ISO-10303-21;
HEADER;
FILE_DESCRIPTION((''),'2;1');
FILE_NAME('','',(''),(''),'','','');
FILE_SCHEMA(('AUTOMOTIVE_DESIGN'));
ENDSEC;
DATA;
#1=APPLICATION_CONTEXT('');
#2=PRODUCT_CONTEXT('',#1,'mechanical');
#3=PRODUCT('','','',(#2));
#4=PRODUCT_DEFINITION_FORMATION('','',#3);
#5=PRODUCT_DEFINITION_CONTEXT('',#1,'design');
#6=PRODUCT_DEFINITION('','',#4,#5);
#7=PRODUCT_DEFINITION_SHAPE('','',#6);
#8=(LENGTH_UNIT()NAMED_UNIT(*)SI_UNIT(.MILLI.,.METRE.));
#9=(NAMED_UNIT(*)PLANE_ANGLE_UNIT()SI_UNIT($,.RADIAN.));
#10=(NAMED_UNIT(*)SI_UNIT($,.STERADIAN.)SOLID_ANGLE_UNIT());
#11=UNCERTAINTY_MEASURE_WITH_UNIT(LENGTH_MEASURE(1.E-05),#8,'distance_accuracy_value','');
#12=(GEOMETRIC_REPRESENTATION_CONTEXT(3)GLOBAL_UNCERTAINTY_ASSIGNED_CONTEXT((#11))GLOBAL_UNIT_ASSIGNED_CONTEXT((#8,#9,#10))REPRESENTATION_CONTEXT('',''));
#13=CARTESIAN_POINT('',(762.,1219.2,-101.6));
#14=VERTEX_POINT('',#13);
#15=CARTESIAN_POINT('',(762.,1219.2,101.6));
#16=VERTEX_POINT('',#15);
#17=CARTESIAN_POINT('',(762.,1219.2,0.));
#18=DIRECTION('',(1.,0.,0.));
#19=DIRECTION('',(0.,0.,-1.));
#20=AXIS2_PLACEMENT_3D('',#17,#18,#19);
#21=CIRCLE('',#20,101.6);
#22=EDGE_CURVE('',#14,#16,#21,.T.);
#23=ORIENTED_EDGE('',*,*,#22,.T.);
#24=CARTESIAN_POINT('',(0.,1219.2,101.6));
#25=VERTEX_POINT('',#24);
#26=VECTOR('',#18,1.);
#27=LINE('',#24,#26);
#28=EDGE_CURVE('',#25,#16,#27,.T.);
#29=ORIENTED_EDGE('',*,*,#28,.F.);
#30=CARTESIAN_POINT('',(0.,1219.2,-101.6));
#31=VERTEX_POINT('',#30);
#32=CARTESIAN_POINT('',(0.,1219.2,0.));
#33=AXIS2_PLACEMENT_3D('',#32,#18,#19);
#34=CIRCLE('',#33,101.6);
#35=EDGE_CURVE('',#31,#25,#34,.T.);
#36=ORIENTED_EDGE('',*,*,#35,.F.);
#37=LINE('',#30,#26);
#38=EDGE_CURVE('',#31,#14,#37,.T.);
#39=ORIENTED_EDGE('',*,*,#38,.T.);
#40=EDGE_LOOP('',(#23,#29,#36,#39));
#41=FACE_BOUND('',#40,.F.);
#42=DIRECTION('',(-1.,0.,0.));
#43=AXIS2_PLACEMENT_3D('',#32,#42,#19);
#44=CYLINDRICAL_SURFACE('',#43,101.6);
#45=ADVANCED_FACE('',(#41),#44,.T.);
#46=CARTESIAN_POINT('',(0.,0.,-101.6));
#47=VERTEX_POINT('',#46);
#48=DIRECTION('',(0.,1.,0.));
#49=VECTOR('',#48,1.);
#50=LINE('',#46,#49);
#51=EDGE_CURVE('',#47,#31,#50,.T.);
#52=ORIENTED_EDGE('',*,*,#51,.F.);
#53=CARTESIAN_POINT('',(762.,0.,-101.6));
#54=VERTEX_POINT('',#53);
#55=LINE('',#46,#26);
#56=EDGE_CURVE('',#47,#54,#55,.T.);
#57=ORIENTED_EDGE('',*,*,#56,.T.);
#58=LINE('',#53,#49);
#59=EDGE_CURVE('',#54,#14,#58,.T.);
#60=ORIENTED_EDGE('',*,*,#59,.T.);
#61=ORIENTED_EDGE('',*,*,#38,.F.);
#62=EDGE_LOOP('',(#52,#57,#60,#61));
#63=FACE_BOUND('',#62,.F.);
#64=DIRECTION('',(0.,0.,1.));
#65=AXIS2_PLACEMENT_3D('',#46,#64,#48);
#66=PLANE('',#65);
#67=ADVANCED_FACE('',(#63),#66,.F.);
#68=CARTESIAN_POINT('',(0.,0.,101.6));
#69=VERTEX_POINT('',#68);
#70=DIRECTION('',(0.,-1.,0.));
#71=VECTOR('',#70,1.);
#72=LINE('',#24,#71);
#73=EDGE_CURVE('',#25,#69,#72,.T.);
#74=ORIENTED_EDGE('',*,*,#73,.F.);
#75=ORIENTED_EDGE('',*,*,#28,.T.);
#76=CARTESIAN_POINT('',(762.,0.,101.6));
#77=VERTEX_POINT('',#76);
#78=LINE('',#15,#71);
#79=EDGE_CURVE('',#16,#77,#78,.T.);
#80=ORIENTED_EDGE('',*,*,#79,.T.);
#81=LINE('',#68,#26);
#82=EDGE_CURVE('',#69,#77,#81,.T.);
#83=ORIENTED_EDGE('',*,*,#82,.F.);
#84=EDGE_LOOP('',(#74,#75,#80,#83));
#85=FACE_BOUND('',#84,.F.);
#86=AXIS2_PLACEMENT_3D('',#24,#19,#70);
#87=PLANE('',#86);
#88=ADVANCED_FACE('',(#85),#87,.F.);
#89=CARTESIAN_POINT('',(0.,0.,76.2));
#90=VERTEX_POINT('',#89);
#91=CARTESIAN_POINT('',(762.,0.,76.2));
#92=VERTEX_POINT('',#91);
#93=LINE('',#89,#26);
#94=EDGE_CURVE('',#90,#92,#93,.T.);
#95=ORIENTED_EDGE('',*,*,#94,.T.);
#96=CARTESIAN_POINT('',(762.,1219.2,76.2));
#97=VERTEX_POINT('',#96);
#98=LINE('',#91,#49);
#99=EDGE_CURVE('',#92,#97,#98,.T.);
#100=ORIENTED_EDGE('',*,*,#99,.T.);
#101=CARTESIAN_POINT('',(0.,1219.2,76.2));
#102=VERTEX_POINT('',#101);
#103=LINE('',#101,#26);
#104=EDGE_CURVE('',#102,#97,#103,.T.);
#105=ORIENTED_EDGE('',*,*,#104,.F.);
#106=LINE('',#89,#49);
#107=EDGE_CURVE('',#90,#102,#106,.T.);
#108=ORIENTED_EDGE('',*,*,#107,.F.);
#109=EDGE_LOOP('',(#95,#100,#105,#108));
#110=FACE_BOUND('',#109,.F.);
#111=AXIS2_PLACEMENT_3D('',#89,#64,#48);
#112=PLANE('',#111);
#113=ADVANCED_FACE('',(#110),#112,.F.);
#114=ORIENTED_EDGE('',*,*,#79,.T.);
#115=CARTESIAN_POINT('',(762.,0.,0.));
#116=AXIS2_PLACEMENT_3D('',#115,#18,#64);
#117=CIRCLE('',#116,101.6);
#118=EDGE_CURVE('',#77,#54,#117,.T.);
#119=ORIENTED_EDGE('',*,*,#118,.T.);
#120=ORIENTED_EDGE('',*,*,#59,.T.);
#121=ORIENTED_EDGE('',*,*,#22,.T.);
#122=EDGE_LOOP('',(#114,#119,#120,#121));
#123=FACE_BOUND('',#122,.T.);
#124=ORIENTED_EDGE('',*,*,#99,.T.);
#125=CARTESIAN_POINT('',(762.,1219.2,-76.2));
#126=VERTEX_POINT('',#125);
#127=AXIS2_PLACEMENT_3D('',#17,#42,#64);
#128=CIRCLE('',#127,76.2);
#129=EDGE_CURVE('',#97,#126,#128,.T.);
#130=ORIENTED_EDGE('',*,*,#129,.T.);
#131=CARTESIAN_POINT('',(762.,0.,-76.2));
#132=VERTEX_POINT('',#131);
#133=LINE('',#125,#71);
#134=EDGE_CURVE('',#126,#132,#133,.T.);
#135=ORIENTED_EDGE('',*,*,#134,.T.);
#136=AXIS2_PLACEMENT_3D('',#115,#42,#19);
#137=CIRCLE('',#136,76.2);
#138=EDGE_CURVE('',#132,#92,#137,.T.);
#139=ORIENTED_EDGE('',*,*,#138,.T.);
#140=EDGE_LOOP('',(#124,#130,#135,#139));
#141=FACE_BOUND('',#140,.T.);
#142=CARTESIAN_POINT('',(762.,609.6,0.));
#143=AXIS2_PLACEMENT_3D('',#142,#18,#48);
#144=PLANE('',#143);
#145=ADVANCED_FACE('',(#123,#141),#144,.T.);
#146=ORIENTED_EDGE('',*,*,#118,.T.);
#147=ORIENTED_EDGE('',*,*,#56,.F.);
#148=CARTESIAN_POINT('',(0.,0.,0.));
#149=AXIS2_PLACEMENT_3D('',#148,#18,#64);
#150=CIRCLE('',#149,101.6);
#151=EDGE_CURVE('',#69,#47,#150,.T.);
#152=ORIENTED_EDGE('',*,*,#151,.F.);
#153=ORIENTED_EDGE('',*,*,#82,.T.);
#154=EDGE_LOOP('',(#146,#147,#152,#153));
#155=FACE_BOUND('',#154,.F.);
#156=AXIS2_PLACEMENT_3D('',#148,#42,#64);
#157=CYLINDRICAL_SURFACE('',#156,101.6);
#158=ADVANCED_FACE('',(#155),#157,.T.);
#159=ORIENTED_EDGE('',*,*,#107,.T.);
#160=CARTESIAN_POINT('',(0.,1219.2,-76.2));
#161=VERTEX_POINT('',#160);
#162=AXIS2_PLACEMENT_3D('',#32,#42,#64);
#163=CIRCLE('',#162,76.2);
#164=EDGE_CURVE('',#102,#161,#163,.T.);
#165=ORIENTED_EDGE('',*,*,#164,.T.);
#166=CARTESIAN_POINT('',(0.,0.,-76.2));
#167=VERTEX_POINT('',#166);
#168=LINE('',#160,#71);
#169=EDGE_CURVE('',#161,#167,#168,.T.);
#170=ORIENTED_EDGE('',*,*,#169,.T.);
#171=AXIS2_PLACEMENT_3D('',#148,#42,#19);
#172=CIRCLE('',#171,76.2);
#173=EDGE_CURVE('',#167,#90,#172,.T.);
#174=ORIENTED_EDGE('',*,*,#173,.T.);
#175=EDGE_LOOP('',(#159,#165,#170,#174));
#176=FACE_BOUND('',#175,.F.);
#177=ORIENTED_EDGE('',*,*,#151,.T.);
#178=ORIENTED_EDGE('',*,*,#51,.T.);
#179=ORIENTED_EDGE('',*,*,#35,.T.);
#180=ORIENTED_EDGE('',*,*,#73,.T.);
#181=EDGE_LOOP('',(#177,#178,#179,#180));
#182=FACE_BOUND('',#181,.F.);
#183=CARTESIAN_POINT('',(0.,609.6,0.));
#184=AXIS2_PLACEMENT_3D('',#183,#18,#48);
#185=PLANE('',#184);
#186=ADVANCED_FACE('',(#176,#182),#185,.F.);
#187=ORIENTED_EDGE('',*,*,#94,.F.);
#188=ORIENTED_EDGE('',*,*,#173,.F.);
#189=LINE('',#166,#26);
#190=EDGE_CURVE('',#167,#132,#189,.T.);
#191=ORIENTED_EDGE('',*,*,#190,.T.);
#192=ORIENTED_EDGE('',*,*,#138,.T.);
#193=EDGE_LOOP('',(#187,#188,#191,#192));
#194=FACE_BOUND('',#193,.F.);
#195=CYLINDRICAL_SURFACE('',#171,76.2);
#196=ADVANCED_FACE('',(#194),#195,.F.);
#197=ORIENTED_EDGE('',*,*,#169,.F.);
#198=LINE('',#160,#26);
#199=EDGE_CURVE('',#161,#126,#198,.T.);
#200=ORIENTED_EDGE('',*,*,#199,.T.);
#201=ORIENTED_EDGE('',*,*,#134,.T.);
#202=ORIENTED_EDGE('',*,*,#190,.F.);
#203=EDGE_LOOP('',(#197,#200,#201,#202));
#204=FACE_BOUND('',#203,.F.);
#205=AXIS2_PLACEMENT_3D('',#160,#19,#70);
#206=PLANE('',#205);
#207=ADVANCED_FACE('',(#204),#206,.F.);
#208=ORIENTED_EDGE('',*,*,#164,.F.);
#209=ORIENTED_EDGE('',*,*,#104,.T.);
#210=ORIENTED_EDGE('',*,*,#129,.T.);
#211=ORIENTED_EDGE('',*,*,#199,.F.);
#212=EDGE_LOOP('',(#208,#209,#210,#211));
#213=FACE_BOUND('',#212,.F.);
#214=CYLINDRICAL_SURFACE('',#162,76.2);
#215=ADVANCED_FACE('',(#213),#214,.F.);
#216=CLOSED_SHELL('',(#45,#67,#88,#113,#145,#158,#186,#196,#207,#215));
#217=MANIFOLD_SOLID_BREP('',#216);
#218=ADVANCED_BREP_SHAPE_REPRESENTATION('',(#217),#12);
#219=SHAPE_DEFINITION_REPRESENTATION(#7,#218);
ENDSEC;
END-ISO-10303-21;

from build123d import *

# Parameters (mm, degrees)
F1_DEPTH = 762


with BuildPart() as f1:
    # F0 (on Right) → F1 (new body)
    with BuildSketch(Plane.YZ):
        with BuildLine():
            ThreePointArc((0, 76.2), (-76.2, 0), (0, -76.2))
            Line((0, -76.2), (1219.2, -76.2))
            ThreePointArc((1219.2, -76.2), (1295.4, 0), (1219.2, 76.2))
            Line((1219.2, 76.2), (0, 76.2))
        make_face()
        with BuildLine():
            ThreePointArc((0, 101.6), (-101.6, 0), (0, -101.6))
            Line((0, -101.6), (1219.2, -101.6))
            ThreePointArc((1219.2, -101.6), (1320.8, 0), (1219.2, 101.6))
            Line((1219.2, 101.6), (0, 101.6))
        make_face()
        with BuildLine():
            Line((1219.2, -76.2), (0, -76.2))
            ThreePointArc((0, -76.2), (-76.2, 0), (0, 76.2))
            Line((0, 76.2), (1219.2, 76.2))
            ThreePointArc((1219.2, 76.2), (1295.4, 0), (1219.2, -76.2))
        make_face(mode=Mode.SUBTRACT)
    extrude(amount=F1_DEPTH)


solid = f1.part
